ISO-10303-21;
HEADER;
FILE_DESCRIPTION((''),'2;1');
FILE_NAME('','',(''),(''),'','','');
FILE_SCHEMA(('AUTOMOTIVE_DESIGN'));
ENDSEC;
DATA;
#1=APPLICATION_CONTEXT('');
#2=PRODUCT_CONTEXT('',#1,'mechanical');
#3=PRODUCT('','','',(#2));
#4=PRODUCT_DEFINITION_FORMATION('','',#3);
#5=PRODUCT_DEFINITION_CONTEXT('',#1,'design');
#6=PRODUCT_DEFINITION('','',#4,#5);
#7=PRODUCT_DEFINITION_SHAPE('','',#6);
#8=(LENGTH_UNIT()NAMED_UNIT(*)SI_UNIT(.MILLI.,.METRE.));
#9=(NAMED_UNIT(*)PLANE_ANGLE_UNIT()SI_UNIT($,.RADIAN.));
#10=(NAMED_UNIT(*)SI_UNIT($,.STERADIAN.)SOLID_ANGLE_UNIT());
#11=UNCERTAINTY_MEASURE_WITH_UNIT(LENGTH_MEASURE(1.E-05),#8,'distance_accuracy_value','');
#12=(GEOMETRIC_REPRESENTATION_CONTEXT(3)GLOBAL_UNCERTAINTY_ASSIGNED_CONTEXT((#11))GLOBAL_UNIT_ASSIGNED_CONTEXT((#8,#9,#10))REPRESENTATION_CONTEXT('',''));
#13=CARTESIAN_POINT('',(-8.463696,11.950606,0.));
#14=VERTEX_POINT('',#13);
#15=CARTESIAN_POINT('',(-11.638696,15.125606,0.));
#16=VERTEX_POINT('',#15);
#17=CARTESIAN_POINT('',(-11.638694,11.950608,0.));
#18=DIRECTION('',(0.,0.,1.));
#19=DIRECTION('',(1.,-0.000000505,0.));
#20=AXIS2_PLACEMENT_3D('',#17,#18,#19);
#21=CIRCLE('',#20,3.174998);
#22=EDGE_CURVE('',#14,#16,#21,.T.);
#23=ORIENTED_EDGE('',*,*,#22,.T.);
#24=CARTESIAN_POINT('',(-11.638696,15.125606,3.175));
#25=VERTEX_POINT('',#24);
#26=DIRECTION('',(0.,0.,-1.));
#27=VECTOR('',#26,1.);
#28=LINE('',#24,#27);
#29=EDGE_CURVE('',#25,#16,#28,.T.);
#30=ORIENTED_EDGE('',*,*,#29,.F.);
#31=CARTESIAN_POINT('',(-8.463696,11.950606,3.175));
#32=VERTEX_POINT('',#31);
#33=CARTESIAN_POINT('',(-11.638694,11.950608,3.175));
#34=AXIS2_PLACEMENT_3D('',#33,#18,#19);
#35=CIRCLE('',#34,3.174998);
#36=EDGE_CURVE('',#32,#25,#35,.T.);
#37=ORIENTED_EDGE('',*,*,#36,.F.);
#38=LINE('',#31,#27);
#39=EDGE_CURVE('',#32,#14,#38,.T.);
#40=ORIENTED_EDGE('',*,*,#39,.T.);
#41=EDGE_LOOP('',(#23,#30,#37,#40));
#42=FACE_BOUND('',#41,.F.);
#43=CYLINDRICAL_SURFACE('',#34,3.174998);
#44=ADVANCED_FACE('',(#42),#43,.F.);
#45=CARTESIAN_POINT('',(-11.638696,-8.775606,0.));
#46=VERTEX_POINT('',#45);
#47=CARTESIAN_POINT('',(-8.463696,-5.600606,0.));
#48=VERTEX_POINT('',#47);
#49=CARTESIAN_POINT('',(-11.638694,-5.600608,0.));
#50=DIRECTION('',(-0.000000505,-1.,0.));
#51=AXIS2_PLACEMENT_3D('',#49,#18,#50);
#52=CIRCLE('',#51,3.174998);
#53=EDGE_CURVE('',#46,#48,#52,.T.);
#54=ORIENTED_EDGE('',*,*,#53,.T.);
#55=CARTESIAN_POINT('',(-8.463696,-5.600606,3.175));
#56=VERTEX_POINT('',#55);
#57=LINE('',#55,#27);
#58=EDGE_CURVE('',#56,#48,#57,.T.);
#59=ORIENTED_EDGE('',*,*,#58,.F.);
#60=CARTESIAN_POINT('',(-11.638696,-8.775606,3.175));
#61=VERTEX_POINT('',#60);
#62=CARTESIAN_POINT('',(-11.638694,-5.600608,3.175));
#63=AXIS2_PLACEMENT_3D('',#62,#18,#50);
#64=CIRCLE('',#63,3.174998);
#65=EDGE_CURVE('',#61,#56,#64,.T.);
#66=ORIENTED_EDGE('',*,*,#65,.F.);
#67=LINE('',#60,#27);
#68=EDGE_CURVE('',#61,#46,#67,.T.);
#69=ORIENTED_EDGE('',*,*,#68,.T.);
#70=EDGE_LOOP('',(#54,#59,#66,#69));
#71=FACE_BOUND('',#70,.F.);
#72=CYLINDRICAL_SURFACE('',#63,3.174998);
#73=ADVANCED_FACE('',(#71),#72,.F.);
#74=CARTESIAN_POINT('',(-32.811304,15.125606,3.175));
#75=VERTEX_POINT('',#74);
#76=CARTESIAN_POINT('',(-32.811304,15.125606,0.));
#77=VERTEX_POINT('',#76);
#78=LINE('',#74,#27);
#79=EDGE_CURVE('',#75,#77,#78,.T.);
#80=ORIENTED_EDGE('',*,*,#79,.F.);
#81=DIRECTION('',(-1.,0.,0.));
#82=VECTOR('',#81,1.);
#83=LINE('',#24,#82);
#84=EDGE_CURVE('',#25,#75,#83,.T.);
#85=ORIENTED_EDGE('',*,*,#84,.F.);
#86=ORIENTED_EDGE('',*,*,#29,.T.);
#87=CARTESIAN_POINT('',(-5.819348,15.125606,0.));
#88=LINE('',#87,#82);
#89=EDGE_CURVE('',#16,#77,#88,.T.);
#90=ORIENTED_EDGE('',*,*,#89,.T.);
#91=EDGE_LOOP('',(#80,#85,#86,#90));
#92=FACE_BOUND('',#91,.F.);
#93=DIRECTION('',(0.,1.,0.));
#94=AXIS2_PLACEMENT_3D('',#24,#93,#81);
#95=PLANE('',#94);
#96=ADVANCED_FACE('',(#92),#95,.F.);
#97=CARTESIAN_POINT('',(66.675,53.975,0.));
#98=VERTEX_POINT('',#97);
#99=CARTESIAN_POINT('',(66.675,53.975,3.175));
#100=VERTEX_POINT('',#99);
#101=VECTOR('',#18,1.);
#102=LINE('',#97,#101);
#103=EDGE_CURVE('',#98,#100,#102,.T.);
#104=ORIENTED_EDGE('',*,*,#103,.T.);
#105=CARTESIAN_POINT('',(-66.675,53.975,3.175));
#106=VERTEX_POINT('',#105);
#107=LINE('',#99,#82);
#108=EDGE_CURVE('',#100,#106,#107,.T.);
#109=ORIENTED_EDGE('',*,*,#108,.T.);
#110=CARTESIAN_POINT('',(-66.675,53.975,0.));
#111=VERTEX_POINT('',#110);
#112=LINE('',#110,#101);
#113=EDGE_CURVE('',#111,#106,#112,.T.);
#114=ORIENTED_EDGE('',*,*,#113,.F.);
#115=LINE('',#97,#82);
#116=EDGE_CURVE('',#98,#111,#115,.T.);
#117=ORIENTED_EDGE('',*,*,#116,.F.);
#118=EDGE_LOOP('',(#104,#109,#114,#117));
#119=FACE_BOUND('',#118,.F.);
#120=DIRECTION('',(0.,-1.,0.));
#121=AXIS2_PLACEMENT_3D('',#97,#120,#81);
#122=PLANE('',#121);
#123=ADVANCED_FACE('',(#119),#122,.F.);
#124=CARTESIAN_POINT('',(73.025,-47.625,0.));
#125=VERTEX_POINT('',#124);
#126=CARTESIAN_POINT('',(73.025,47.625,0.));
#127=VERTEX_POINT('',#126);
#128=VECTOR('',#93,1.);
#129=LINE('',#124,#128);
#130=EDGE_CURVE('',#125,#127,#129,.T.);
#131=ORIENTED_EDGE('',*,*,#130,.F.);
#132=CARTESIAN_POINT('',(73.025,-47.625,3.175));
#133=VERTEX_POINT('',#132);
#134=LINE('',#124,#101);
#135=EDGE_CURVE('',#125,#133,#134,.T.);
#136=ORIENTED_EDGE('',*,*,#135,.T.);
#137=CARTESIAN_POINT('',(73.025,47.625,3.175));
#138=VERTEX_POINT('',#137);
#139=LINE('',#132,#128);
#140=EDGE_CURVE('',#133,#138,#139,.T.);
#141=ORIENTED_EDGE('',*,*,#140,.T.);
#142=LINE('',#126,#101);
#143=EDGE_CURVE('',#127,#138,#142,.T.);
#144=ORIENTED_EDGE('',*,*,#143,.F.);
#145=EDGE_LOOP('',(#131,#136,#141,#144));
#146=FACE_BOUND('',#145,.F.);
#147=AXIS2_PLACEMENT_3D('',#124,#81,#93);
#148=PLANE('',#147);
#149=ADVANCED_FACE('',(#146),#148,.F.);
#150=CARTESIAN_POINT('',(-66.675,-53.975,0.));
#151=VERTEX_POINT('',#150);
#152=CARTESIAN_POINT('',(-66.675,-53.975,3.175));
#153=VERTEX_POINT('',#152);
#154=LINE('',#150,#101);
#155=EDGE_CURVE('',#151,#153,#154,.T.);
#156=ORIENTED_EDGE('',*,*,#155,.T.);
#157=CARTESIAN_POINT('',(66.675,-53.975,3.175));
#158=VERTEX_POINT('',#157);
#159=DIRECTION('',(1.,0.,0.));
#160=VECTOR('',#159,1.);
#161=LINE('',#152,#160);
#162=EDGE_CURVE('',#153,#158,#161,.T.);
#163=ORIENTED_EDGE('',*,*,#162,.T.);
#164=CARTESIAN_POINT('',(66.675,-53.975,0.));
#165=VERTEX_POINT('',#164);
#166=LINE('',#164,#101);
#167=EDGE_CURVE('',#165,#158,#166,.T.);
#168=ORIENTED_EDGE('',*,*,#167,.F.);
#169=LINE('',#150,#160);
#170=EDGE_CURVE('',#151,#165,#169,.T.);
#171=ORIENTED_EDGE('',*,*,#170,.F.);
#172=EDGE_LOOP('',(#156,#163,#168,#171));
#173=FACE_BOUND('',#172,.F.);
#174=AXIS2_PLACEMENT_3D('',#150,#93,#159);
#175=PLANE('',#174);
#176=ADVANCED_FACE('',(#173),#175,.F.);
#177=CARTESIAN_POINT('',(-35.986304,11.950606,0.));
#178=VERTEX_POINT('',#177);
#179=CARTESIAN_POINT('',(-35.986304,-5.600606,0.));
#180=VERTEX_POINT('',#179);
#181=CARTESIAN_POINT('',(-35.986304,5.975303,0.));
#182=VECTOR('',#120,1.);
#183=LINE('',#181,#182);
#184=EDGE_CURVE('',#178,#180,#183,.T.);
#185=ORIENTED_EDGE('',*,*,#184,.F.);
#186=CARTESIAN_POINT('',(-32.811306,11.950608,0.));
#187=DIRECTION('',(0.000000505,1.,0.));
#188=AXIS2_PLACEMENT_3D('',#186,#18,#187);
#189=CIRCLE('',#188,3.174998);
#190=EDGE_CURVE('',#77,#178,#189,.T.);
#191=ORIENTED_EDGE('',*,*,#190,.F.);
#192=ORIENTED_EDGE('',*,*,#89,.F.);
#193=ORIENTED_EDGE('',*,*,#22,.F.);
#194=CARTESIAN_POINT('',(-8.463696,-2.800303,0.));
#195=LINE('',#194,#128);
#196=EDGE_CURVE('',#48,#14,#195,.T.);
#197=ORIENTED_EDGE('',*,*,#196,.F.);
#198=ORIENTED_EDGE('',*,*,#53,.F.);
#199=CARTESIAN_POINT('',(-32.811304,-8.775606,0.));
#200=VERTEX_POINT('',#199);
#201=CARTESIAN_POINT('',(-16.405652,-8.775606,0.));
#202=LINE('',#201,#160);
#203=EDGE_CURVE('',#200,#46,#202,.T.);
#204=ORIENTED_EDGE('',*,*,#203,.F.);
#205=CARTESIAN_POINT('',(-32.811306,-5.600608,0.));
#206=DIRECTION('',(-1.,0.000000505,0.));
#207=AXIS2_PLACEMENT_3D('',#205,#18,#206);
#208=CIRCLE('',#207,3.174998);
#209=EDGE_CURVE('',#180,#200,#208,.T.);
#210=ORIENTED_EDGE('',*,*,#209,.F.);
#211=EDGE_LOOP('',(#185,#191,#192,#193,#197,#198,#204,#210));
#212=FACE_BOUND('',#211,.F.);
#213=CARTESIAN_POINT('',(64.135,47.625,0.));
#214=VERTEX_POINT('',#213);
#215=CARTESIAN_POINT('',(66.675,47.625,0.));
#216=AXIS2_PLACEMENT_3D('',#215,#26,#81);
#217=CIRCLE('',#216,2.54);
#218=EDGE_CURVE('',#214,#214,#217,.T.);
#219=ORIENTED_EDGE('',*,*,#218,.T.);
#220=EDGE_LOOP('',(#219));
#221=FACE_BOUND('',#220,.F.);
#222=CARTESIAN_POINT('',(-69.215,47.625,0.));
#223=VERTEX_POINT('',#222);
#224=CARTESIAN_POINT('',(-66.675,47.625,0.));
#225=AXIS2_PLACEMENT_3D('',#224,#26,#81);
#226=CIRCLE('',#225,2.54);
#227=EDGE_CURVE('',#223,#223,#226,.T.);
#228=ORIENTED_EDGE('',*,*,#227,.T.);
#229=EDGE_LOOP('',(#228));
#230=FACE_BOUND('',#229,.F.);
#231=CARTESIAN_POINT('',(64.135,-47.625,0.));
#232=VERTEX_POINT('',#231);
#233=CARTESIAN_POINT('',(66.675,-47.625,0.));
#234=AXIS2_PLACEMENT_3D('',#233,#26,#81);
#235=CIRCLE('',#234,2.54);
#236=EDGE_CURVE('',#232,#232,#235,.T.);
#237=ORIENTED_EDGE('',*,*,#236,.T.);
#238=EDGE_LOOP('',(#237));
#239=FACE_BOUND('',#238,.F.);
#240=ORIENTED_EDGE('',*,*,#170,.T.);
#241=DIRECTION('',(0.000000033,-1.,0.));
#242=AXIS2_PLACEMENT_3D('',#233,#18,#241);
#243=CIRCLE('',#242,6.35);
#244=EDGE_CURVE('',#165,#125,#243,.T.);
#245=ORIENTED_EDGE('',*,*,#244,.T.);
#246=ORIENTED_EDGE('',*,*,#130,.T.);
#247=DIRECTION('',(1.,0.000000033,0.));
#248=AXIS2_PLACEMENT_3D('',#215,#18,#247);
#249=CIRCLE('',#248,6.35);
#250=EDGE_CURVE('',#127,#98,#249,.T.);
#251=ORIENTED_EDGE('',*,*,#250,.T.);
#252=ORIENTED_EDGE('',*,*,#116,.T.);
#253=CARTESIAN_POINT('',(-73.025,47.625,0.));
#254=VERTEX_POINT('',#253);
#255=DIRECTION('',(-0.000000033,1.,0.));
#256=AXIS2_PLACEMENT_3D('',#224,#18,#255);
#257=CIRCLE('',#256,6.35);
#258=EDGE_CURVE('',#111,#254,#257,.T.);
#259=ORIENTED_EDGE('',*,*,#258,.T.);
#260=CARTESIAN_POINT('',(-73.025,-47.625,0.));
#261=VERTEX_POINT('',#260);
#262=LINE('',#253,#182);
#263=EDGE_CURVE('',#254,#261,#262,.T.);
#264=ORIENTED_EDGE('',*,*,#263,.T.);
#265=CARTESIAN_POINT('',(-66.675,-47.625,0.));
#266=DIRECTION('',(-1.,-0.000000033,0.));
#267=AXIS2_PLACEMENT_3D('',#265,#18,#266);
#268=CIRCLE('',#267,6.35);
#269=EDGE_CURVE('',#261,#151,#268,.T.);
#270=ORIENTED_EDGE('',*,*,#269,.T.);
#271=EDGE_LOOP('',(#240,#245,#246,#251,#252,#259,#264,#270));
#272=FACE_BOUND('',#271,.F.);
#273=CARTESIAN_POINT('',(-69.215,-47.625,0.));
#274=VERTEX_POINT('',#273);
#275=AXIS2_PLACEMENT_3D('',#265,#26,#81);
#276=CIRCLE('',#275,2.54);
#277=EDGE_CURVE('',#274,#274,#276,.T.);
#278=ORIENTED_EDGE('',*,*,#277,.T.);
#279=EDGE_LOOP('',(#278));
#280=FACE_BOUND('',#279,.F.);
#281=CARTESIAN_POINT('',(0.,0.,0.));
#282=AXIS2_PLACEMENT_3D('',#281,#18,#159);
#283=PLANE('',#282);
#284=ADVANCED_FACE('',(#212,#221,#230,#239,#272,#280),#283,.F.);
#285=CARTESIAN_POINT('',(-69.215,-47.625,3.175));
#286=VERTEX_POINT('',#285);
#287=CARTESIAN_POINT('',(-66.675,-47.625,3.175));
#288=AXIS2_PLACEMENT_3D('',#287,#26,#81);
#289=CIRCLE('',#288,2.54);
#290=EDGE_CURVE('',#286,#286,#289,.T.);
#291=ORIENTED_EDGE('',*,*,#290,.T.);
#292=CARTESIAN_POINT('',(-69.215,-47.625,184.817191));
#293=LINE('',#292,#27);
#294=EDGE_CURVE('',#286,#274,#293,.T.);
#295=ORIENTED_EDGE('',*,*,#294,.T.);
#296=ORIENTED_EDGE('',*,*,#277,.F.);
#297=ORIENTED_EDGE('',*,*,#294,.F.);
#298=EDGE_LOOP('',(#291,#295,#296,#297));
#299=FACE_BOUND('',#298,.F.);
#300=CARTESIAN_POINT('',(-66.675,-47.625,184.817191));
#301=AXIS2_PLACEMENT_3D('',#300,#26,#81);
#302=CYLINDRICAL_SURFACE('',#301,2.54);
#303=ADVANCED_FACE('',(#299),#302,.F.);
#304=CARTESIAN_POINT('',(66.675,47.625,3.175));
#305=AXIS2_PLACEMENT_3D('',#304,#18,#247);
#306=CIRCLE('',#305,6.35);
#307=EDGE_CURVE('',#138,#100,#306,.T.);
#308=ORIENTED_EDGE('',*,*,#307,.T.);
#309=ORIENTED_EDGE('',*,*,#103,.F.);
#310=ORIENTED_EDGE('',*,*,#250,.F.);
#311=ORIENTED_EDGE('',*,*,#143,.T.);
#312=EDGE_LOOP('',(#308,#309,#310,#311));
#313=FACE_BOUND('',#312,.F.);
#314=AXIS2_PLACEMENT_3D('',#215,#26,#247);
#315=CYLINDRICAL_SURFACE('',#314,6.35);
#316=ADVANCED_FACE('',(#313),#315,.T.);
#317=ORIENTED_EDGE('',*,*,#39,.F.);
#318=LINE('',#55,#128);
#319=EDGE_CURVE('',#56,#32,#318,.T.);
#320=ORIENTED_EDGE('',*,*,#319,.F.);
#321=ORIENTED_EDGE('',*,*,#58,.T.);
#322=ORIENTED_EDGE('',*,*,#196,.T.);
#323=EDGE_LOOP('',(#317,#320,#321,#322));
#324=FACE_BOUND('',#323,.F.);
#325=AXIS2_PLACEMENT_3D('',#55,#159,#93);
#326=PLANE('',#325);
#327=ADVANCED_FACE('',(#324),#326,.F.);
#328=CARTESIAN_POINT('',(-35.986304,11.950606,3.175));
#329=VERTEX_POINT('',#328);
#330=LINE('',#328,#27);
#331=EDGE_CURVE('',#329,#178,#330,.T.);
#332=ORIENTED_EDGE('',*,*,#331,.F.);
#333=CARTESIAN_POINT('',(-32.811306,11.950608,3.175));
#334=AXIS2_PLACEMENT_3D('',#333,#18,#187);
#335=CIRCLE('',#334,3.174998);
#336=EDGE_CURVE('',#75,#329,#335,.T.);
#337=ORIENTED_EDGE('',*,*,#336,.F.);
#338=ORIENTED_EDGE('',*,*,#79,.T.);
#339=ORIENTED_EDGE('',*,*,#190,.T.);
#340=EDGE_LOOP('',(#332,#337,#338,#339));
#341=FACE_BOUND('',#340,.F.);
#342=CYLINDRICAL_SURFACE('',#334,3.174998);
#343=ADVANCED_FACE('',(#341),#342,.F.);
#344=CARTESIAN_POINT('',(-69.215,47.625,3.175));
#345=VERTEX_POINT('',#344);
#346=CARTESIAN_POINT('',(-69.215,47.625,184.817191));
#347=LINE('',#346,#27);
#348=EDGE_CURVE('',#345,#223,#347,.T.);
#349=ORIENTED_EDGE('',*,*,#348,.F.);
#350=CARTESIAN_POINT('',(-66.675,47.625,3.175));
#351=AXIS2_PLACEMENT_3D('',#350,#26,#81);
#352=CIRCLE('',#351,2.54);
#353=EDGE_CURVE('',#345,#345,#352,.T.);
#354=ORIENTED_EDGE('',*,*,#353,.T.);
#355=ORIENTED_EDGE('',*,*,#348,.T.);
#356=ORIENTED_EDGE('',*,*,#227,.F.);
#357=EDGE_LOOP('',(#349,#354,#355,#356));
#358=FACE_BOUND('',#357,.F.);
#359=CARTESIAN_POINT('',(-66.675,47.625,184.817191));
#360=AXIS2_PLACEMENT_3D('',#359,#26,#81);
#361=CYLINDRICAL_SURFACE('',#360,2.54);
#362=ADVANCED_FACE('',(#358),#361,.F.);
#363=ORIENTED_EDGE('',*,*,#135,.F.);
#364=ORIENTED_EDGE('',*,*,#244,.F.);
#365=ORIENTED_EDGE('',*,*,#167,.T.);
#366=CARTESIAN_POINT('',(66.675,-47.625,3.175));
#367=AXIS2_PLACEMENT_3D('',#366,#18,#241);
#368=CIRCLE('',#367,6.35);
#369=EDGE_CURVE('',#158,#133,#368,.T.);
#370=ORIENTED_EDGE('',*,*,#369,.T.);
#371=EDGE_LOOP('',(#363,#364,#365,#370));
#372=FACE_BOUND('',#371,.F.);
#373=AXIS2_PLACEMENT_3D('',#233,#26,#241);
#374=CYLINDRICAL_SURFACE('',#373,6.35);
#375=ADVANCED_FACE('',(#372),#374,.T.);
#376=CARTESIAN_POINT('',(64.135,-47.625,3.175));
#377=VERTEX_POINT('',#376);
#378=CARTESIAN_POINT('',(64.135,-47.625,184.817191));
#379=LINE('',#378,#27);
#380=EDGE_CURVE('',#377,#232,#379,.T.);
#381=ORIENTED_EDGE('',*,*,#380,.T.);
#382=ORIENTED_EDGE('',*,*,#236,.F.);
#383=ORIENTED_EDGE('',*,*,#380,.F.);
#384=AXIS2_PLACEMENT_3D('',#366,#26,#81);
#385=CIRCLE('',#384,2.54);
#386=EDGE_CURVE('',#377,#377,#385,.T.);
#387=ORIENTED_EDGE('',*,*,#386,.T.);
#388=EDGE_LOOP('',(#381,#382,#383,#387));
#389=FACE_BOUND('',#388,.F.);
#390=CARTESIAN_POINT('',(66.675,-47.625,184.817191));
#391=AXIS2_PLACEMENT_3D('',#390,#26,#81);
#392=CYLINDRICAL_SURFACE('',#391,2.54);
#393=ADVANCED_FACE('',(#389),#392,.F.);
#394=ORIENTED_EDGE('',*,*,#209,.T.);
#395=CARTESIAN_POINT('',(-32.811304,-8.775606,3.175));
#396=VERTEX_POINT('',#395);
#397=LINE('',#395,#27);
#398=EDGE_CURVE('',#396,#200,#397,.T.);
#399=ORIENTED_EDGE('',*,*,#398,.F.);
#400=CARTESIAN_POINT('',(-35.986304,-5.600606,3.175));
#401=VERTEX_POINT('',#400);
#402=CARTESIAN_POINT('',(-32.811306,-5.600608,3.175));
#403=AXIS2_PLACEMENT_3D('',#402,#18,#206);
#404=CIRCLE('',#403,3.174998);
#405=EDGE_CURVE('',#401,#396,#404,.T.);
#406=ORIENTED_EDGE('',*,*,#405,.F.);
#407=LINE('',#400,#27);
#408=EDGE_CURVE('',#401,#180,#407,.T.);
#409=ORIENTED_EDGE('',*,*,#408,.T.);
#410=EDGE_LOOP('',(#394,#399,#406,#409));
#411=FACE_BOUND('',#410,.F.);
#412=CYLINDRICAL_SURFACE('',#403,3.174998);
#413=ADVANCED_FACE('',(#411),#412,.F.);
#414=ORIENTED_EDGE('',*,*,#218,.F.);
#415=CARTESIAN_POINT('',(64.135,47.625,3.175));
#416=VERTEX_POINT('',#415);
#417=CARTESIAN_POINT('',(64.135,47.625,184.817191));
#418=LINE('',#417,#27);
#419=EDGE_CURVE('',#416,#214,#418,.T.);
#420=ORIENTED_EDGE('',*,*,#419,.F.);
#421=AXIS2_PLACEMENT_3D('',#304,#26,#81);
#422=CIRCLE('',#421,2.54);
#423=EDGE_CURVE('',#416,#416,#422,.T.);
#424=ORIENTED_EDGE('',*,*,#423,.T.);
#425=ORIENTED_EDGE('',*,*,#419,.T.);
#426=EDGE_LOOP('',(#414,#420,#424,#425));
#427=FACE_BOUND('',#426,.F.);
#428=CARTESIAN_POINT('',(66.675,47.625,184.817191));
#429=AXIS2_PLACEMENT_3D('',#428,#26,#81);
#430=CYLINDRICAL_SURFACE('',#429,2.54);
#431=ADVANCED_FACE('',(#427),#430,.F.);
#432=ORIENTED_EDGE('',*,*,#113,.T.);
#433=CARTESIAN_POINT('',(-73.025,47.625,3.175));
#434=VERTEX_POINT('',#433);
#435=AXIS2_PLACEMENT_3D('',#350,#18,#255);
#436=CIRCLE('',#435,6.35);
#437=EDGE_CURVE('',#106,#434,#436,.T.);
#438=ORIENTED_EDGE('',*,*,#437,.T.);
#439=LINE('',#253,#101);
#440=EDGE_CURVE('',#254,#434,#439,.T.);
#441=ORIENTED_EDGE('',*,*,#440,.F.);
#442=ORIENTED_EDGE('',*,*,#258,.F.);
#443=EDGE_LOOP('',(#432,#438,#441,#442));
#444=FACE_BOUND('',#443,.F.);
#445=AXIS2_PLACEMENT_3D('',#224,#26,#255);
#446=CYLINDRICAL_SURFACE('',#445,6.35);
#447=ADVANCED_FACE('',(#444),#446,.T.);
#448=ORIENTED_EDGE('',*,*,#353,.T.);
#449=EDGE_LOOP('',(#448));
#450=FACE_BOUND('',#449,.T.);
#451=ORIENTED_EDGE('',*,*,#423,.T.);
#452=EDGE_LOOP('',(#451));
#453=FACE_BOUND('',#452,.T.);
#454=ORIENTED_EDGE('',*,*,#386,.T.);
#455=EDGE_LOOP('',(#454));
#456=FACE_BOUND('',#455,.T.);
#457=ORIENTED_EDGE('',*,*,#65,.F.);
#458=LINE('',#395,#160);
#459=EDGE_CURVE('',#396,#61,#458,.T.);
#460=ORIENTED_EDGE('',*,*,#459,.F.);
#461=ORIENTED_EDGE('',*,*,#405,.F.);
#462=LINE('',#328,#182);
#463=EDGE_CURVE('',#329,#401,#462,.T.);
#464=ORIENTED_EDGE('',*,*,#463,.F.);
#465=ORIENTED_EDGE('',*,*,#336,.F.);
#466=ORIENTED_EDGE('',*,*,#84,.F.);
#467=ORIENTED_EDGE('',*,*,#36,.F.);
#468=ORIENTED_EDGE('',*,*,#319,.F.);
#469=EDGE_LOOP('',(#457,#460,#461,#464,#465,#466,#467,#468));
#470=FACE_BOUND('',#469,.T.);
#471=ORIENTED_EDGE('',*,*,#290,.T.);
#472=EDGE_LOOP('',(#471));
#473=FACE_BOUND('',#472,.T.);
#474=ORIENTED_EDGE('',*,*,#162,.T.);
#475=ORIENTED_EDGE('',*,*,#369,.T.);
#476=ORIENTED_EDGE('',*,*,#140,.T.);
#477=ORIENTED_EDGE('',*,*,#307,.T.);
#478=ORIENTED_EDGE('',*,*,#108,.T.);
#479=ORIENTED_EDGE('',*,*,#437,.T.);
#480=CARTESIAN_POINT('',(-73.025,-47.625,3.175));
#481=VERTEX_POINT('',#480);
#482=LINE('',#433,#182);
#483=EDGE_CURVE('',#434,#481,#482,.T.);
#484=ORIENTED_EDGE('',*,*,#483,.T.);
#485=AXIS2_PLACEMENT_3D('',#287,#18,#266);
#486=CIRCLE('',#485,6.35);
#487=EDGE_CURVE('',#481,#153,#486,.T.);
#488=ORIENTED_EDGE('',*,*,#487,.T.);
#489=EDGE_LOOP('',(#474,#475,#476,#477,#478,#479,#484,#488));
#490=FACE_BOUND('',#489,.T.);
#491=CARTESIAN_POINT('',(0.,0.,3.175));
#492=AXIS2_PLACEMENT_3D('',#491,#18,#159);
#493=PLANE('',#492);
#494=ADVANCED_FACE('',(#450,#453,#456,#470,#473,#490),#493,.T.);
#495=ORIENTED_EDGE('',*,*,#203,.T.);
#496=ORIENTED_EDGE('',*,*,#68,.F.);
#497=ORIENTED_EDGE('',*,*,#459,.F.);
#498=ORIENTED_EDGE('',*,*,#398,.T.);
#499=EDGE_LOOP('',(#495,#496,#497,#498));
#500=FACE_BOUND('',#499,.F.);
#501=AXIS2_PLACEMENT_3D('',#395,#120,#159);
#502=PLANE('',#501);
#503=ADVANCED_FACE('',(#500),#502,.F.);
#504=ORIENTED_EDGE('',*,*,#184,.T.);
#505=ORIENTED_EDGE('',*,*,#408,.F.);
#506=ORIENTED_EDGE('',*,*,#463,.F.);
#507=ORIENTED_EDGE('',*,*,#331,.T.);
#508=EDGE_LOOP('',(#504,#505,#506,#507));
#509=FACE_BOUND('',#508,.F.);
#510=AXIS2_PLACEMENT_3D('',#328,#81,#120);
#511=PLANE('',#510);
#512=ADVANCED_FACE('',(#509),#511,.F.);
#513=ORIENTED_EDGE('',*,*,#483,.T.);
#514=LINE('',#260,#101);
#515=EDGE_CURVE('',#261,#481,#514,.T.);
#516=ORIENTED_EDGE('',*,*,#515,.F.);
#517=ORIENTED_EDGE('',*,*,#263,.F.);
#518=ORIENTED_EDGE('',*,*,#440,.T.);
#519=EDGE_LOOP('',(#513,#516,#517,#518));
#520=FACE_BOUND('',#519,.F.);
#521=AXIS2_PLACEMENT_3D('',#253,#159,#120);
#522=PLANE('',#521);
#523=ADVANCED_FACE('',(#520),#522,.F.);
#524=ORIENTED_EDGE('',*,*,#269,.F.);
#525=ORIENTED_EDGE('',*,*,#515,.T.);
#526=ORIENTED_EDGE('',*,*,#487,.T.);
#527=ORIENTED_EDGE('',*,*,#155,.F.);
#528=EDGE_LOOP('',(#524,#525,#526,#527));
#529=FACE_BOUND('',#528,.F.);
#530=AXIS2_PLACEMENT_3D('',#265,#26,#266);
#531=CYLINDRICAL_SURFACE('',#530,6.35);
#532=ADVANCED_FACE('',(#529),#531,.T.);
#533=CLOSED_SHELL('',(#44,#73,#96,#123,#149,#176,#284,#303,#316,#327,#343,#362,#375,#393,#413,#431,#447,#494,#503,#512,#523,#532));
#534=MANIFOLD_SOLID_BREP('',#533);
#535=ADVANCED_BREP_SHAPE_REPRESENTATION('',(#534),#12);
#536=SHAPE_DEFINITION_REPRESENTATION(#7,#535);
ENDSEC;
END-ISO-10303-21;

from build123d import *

# Parameters (mm, degrees)
F1_DEPTH = 3.175
F3_D     = 5.08
F5_DEPTH = 3.176


with BuildPart() as f1:
    # F0 (on Top) → F1 (new body)
    with BuildSketch(Plane.XY):
        with BuildLine():
            ThreePointArc((73.025, 47.625), (71.165128, 52.115128), (66.675, 53.975))
            Line((66.675, 53.975), (-66.675, 53.975))
            ThreePointArc((-66.675, 53.975), (-71.165128, 52.115128), (-73.025, 47.625))
            Line((-73.025, 47.625), (-73.025, -47.625))
            ThreePointArc((-73.025, -47.625), (-71.165128, -52.115128), (-66.675, -53.975))
            Line((-66.675, -53.975), (66.675, -53.975))
            ThreePointArc((66.675, -53.975), (71.165128, -52.115128), (73.025, -47.625))
            Line((73.025, -47.625), (73.025, 47.625))
        make_face()
    extrude(amount=F1_DEPTH)

    # F3 (through all)
    with Locations(Plane.XY.offset(3.175)):
        with Locations((-66.675, 47.625), (66.675, 47.625), (66.675, -47.625), (-66.675, -47.625)):
            Hole(F3_D / 2)

    # F4 (on face) → F5 (cut, through all)
    with BuildSketch(Plane.XY.offset(3.175)):
        with BuildLine():
            Line((-32.811304, -8.775606), (-11.638696, -8.775606))
            ThreePointArc((-11.638696, -8.775606), (-9.393632, -7.845671), (-8.463696, -5.600606))
            Line((-8.463696, -5.600606), (-8.463696, 11.950606))
            ThreePointArc((-8.463696, 11.950606), (-9.393632, 14.195671), (-11.638696, 15.125606))
            Line((-11.638696, 15.125606), (-32.811304, 15.125606))
            ThreePointArc((-32.811304, 15.125606), (-35.056368, 14.195671), (-35.986304, 11.950606))
            Line((-35.986304, 11.950606), (-35.986304, -5.600606))
            ThreePointArc((-35.986304, -5.600606), (-35.056368, -7.845671), (-32.811304, -8.775606))
        make_face()
    extrude(amount=-F5_DEPTH, mode=Mode.SUBTRACT)


solid = f1.part
